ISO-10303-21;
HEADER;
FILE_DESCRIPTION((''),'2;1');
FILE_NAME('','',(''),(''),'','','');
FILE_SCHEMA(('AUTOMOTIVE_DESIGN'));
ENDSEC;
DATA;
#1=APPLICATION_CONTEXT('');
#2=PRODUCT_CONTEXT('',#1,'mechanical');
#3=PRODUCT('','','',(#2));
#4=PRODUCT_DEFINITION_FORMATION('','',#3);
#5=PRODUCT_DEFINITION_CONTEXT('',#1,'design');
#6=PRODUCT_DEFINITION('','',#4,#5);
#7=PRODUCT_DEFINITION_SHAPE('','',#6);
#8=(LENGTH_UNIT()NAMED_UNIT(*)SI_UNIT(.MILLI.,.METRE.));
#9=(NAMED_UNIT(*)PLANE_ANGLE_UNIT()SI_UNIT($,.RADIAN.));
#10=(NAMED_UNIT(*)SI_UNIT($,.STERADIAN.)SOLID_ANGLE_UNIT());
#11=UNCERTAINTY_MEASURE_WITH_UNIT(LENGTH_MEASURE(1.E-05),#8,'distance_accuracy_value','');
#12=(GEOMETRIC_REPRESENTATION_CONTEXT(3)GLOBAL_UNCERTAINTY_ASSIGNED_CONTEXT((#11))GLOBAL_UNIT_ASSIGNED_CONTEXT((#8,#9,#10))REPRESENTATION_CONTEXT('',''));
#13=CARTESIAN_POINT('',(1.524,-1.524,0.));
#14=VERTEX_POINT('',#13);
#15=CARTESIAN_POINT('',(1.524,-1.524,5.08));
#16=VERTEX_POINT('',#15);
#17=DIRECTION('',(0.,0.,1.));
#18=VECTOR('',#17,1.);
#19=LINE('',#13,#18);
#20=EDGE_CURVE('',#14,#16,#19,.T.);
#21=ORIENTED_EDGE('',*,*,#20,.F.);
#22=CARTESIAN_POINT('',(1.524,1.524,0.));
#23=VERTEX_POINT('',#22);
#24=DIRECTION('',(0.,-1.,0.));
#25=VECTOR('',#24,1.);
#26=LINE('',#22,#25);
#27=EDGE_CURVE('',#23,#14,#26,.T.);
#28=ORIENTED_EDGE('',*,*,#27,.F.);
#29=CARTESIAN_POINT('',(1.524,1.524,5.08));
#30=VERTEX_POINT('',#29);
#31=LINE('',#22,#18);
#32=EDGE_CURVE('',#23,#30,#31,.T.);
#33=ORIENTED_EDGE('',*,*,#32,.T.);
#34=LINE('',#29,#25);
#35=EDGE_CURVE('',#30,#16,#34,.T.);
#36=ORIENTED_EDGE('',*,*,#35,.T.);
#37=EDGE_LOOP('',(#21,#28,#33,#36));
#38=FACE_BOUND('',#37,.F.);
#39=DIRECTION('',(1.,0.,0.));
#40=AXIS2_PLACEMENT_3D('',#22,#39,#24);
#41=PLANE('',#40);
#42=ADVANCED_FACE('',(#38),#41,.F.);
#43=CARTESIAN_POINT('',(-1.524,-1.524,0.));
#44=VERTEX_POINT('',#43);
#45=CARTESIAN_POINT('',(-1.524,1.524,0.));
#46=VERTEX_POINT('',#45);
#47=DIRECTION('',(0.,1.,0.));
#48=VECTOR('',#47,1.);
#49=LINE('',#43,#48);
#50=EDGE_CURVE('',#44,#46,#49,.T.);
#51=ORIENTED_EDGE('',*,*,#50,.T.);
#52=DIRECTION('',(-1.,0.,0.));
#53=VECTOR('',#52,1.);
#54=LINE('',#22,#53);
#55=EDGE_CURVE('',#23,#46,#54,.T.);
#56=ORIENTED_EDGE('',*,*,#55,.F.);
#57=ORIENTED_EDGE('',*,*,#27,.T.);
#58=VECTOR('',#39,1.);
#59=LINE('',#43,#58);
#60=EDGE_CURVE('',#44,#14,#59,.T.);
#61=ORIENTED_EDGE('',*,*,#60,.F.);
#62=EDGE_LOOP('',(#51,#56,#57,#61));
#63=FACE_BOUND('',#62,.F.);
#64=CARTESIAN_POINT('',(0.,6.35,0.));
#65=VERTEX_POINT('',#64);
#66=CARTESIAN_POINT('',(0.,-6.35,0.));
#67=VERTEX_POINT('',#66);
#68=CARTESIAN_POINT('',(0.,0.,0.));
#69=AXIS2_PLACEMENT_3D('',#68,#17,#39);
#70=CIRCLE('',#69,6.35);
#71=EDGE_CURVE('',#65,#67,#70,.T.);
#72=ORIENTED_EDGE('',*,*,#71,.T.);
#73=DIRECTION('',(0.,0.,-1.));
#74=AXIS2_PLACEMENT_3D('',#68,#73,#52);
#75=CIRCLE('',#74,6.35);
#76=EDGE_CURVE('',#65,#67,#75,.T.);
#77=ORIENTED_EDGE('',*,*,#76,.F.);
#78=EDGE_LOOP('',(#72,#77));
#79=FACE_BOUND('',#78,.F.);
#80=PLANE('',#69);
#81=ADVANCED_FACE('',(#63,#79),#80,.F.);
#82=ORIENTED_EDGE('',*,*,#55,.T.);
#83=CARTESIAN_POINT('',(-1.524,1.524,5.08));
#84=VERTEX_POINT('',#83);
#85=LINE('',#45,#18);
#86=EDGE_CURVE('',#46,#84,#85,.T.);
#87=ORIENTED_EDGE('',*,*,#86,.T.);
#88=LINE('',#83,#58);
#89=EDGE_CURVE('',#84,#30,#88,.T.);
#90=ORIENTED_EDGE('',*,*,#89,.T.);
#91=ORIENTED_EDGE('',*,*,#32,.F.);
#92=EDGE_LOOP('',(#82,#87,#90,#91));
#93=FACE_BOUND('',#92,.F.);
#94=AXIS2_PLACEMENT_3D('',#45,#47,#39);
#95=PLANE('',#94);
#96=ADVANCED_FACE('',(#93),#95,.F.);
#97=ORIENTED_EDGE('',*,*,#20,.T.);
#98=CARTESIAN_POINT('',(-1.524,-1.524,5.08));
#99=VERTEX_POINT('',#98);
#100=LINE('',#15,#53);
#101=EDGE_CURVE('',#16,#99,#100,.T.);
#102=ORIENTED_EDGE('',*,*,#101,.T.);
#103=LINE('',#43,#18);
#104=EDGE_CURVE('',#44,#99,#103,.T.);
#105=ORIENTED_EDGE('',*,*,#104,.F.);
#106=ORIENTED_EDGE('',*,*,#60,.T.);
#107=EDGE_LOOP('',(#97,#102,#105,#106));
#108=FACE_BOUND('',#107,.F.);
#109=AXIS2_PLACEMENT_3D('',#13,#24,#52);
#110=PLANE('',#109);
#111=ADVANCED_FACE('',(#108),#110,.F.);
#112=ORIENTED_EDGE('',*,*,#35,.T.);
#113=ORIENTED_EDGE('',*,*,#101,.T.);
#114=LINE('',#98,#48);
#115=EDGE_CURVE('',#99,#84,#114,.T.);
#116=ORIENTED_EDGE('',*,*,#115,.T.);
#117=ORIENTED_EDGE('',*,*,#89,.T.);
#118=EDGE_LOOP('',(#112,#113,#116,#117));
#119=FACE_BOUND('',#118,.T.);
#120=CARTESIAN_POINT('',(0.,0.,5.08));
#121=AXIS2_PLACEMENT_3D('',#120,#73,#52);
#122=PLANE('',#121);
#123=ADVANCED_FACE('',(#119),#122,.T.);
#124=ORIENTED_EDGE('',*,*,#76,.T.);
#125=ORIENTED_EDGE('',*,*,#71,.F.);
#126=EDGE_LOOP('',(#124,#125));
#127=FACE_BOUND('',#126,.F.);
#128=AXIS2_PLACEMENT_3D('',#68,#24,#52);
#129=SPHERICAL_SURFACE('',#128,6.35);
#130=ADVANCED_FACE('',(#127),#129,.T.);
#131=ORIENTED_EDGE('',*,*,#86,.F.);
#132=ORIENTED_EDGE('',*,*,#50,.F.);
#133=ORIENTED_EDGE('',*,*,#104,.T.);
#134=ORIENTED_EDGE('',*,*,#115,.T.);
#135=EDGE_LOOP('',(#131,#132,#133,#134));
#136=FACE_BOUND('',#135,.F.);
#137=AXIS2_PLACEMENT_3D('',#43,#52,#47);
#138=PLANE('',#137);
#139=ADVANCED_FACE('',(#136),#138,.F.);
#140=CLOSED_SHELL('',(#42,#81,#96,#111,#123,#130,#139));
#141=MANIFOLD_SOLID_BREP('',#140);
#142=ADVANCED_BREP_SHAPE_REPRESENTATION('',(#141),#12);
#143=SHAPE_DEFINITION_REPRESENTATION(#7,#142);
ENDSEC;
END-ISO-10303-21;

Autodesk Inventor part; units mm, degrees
ref_plane "YZ Plane" through (0, 0, 0) normal (1, 0, 0) x (0, 1, 0)
ref_plane "XZ Plane" through (0, 0, 0) normal (0, 1, 0) x (-1, 0, 0)
ref_plane "XY Plane" through (0, 0, 0) normal (0, 0, 1) x (1, 0, 0)
sketch "Sketch1" plane through (0, 0, 0) normal (0, 0, 1) x (1, 0, 0)
  circle A0 centre (0, 0) radius 6.35
  line L0 (0, 6.35) -> (0, -6.35)
  dimension "d0" = 12.7
revolve "Revolution1" add sketch "Sketch1" angle 180 about axis through (0, 6.35, 0) along (0, 1, 0) picked at (-3.484, 2.1167) contours L0 A0
sketch "Sketch3" plane through (0, 0, 0) normal (0, 0, -1) x (-1, 0, 0)
  line L0 (0, 0) -> (0, 1.524) construction
  line L1 (0, 1.524) -> (1.524, 1.524) construction
  line L2 (0, 0) -> (0, -1.524) construction
  line L3 (0, -1.524) -> (-1.524, -1.524) construction
  line L4 (1.524, 1.524) -> (-1.524, 1.524)
  line L5 (-1.524, 1.524) -> (-1.524, -1.524)
  line L6 (-1.524, -1.524) -> (1.524, -1.524)
  line L7 (1.524, -1.524) -> (1.524, 1.524)
  dimension "d5" = 1.524
  dimension "d11" = 1.524
  dimension "d12" = 1.524
  dimension "d13" = 1.524
extrude "Extrusion3" cut sketch "Sketch3" against normal blind 5.08
properties part number "ball"
